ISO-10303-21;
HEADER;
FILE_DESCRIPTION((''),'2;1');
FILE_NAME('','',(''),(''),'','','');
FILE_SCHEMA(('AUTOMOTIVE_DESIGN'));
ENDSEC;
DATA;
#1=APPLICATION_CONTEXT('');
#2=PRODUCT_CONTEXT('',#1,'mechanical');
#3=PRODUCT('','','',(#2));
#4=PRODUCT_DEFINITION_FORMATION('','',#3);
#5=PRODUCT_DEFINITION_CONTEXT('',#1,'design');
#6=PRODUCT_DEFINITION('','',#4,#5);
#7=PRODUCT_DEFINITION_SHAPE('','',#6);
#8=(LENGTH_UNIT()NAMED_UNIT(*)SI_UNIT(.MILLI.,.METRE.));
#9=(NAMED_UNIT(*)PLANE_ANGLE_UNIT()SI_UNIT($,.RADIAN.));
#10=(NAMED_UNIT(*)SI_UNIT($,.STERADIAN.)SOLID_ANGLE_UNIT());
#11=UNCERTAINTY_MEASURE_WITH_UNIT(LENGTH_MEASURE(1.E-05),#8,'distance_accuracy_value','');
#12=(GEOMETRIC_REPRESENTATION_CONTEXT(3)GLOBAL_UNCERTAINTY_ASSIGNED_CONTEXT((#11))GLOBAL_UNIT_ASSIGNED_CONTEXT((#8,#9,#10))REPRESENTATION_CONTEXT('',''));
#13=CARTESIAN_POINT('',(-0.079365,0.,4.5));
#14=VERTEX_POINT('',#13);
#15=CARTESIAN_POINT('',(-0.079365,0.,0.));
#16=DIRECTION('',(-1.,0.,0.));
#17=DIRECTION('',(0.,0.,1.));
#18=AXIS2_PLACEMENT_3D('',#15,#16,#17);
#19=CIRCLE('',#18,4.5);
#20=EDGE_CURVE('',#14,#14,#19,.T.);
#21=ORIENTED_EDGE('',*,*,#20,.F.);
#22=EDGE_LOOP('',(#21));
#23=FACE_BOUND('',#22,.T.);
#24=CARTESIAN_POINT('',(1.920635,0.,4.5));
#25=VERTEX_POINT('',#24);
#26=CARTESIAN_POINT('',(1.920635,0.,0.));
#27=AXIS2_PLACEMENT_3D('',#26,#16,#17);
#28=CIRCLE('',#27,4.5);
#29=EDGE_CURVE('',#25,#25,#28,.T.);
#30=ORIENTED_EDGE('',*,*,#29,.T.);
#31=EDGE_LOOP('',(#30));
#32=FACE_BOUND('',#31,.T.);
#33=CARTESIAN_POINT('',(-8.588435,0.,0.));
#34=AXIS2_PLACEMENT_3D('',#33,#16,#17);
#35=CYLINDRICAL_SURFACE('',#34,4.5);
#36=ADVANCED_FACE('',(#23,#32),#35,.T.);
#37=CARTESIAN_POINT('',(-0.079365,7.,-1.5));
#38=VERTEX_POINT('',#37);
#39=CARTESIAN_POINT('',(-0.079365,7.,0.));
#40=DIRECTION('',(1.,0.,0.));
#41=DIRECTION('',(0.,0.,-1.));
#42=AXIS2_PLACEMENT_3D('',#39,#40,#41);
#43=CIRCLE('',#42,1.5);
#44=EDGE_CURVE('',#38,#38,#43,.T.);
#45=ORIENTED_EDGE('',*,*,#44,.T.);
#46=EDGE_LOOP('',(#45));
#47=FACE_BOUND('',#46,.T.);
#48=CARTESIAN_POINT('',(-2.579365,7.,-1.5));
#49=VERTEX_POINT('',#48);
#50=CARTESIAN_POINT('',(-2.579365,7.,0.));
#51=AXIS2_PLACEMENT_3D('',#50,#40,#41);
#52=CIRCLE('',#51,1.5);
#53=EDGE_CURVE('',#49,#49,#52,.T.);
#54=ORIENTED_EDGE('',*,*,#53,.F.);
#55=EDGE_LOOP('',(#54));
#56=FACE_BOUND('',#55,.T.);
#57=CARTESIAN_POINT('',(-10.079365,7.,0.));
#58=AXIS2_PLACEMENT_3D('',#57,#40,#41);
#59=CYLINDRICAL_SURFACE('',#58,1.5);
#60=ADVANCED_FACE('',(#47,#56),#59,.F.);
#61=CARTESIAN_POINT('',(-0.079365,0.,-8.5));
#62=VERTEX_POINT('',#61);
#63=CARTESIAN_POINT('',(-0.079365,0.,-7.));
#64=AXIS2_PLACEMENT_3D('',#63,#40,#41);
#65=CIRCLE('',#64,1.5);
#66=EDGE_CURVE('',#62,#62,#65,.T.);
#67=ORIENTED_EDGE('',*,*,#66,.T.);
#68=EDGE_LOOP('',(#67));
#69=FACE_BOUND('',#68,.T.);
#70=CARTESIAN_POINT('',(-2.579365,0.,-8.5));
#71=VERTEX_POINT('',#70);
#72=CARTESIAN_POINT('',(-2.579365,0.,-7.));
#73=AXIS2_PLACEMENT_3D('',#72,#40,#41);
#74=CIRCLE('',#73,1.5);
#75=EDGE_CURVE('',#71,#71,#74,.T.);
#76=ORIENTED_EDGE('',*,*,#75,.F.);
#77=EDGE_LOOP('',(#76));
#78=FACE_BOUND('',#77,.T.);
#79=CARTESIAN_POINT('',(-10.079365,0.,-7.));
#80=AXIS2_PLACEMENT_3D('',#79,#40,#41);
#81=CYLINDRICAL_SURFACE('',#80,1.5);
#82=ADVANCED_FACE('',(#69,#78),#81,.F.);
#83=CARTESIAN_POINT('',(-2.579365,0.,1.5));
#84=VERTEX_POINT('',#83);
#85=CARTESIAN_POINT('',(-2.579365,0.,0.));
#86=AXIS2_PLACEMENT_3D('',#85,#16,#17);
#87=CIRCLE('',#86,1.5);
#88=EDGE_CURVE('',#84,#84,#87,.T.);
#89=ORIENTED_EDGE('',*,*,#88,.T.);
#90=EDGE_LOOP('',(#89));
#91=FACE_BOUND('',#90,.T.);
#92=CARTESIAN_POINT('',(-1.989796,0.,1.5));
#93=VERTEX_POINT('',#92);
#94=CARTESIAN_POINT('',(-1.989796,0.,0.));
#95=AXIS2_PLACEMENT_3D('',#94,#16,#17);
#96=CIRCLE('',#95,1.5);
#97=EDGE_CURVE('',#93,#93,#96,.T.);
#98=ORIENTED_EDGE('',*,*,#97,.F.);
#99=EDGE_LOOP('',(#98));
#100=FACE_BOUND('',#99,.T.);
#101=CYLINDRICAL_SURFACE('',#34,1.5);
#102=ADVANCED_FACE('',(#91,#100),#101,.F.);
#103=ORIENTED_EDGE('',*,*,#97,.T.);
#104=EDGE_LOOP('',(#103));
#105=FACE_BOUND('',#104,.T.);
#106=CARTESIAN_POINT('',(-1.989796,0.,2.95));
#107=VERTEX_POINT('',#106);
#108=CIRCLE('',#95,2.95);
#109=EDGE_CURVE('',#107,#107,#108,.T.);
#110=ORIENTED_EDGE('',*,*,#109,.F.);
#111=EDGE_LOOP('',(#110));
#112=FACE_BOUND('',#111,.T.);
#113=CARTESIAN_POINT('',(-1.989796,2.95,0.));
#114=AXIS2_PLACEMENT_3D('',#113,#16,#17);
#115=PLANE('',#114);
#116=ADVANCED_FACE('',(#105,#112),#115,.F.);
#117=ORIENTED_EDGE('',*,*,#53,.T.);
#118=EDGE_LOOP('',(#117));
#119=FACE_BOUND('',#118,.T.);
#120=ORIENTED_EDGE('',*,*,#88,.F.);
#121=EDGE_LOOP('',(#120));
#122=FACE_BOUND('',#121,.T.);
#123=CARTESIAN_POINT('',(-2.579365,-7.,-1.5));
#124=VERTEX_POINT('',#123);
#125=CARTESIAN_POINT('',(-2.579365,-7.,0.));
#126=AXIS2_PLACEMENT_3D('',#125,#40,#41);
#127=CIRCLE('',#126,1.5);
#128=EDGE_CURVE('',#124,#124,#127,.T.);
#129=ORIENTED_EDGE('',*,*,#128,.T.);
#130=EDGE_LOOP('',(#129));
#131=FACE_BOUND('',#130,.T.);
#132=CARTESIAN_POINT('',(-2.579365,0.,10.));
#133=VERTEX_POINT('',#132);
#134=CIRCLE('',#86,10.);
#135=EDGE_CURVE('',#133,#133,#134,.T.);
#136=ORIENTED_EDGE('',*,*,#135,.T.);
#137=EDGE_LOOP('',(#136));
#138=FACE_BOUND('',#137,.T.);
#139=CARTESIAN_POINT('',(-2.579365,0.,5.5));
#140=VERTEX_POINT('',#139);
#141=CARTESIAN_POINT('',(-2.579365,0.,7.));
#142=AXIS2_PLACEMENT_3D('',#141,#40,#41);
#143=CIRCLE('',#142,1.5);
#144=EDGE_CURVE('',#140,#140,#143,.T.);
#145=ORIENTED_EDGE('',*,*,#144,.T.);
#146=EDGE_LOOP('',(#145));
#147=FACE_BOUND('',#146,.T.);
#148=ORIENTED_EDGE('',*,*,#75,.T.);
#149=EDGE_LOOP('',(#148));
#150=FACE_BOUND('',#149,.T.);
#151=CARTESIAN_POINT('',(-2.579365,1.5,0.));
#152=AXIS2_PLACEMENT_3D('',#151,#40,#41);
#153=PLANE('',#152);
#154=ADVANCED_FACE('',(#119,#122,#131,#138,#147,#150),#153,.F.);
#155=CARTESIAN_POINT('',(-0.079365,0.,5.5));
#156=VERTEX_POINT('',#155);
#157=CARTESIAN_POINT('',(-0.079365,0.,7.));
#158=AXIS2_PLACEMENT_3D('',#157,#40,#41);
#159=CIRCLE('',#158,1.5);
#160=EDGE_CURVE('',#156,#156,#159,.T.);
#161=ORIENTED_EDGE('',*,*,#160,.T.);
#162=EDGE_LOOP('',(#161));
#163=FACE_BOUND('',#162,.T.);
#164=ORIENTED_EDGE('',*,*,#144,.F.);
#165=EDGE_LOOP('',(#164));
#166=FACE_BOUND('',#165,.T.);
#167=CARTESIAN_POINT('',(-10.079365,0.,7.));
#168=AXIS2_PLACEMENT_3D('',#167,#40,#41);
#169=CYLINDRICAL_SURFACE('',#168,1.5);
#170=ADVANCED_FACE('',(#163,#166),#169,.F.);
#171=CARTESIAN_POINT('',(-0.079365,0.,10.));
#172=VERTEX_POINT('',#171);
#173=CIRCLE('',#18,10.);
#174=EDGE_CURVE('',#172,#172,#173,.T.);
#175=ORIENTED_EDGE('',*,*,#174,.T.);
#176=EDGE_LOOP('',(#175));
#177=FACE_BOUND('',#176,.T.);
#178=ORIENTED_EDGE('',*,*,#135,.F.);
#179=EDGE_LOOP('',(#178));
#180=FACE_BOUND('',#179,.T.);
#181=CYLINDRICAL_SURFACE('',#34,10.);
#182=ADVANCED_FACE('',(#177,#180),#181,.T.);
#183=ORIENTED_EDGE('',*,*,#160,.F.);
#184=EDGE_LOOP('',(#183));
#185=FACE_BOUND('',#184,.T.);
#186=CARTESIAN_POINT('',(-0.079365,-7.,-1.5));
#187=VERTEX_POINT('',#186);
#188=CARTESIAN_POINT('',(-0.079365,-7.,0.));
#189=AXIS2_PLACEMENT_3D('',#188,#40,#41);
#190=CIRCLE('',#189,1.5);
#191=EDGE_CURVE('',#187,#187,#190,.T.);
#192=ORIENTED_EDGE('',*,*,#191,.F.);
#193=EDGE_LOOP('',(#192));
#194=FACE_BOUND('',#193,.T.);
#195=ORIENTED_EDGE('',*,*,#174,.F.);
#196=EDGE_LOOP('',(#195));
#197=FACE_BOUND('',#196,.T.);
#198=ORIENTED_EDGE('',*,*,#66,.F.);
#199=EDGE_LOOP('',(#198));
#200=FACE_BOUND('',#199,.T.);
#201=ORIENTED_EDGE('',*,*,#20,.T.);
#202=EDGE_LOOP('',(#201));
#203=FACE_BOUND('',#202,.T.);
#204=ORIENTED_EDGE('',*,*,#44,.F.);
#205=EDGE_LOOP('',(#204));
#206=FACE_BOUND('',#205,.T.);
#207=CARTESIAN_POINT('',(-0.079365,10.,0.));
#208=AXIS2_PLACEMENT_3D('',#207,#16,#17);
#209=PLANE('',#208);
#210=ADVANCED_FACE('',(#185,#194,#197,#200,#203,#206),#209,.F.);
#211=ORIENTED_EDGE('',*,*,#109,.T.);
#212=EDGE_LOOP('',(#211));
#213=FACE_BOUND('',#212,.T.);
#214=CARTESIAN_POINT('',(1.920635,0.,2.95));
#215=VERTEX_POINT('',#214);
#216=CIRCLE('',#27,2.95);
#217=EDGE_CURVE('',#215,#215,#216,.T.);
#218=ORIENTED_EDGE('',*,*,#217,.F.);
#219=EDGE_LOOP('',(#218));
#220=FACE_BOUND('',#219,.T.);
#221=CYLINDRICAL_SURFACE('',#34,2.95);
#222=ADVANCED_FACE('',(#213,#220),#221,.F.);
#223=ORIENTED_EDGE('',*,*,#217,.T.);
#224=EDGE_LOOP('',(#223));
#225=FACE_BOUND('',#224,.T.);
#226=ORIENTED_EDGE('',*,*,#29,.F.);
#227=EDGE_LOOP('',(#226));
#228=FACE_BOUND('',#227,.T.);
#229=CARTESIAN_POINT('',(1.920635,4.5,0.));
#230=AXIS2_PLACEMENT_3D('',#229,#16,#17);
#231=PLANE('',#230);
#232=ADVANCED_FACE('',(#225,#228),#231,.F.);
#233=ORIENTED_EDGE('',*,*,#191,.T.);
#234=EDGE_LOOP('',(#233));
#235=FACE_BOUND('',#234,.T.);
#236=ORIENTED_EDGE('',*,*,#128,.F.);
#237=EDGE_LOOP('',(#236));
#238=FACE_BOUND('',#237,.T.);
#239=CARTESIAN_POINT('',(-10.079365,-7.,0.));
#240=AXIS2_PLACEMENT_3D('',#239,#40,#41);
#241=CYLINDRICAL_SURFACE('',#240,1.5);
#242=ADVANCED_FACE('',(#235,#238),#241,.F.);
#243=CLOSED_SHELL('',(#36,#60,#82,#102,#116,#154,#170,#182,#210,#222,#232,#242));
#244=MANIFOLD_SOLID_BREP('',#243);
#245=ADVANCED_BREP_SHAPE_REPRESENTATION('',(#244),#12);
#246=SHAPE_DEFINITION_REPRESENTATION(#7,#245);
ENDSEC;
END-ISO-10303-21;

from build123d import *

# Parameters (mm, degrees)
SKETCH_2_R          = 1.5
CUT_EXTRUDE_1_DEPTH = 10


with BuildPart() as part:
    # 草图1 → 旋转1 (revolve)
    with BuildSketch(Plane.XY, mode=Mode.PRIVATE) as revolve_1_sk:
        Polygon((-2.579365079, 1.5), (-2.579365079, 10), (-0.079365079, 10), (-0.079365079, 4.5), (1.920634921, 4.5), (1.920634921, 2.95), (-1.989795918, 2.95), (-1.989795918, 1.5), align=None)
    revolve(revolve_1_sk.sketch.rotate(Axis((-8.588435374, 0, 0), (1, 0, 0)), 90), axis=Axis((-8.588435374, 0, 0), (1, 0, 0)))

    # 草图2 → 切除-拉伸1 (cut)
    with BuildSketch(Plane(origin=(-0.079365079, 0, 0), x_dir=(0, 0, -1), z_dir=(1, 0, 0))):
        with Locations((0, 7)):
            Circle(SKETCH_2_R)
        with Locations((7, 0)):
            Circle(SKETCH_2_R)
        with Locations((0, -7)):
            Circle(SKETCH_2_R)
        with Locations((-7, 0)):
            Circle(SKETCH_2_R)
    extrude(amount=-CUT_EXTRUDE_1_DEPTH, mode=Mode.SUBTRACT)


solid = part.part
